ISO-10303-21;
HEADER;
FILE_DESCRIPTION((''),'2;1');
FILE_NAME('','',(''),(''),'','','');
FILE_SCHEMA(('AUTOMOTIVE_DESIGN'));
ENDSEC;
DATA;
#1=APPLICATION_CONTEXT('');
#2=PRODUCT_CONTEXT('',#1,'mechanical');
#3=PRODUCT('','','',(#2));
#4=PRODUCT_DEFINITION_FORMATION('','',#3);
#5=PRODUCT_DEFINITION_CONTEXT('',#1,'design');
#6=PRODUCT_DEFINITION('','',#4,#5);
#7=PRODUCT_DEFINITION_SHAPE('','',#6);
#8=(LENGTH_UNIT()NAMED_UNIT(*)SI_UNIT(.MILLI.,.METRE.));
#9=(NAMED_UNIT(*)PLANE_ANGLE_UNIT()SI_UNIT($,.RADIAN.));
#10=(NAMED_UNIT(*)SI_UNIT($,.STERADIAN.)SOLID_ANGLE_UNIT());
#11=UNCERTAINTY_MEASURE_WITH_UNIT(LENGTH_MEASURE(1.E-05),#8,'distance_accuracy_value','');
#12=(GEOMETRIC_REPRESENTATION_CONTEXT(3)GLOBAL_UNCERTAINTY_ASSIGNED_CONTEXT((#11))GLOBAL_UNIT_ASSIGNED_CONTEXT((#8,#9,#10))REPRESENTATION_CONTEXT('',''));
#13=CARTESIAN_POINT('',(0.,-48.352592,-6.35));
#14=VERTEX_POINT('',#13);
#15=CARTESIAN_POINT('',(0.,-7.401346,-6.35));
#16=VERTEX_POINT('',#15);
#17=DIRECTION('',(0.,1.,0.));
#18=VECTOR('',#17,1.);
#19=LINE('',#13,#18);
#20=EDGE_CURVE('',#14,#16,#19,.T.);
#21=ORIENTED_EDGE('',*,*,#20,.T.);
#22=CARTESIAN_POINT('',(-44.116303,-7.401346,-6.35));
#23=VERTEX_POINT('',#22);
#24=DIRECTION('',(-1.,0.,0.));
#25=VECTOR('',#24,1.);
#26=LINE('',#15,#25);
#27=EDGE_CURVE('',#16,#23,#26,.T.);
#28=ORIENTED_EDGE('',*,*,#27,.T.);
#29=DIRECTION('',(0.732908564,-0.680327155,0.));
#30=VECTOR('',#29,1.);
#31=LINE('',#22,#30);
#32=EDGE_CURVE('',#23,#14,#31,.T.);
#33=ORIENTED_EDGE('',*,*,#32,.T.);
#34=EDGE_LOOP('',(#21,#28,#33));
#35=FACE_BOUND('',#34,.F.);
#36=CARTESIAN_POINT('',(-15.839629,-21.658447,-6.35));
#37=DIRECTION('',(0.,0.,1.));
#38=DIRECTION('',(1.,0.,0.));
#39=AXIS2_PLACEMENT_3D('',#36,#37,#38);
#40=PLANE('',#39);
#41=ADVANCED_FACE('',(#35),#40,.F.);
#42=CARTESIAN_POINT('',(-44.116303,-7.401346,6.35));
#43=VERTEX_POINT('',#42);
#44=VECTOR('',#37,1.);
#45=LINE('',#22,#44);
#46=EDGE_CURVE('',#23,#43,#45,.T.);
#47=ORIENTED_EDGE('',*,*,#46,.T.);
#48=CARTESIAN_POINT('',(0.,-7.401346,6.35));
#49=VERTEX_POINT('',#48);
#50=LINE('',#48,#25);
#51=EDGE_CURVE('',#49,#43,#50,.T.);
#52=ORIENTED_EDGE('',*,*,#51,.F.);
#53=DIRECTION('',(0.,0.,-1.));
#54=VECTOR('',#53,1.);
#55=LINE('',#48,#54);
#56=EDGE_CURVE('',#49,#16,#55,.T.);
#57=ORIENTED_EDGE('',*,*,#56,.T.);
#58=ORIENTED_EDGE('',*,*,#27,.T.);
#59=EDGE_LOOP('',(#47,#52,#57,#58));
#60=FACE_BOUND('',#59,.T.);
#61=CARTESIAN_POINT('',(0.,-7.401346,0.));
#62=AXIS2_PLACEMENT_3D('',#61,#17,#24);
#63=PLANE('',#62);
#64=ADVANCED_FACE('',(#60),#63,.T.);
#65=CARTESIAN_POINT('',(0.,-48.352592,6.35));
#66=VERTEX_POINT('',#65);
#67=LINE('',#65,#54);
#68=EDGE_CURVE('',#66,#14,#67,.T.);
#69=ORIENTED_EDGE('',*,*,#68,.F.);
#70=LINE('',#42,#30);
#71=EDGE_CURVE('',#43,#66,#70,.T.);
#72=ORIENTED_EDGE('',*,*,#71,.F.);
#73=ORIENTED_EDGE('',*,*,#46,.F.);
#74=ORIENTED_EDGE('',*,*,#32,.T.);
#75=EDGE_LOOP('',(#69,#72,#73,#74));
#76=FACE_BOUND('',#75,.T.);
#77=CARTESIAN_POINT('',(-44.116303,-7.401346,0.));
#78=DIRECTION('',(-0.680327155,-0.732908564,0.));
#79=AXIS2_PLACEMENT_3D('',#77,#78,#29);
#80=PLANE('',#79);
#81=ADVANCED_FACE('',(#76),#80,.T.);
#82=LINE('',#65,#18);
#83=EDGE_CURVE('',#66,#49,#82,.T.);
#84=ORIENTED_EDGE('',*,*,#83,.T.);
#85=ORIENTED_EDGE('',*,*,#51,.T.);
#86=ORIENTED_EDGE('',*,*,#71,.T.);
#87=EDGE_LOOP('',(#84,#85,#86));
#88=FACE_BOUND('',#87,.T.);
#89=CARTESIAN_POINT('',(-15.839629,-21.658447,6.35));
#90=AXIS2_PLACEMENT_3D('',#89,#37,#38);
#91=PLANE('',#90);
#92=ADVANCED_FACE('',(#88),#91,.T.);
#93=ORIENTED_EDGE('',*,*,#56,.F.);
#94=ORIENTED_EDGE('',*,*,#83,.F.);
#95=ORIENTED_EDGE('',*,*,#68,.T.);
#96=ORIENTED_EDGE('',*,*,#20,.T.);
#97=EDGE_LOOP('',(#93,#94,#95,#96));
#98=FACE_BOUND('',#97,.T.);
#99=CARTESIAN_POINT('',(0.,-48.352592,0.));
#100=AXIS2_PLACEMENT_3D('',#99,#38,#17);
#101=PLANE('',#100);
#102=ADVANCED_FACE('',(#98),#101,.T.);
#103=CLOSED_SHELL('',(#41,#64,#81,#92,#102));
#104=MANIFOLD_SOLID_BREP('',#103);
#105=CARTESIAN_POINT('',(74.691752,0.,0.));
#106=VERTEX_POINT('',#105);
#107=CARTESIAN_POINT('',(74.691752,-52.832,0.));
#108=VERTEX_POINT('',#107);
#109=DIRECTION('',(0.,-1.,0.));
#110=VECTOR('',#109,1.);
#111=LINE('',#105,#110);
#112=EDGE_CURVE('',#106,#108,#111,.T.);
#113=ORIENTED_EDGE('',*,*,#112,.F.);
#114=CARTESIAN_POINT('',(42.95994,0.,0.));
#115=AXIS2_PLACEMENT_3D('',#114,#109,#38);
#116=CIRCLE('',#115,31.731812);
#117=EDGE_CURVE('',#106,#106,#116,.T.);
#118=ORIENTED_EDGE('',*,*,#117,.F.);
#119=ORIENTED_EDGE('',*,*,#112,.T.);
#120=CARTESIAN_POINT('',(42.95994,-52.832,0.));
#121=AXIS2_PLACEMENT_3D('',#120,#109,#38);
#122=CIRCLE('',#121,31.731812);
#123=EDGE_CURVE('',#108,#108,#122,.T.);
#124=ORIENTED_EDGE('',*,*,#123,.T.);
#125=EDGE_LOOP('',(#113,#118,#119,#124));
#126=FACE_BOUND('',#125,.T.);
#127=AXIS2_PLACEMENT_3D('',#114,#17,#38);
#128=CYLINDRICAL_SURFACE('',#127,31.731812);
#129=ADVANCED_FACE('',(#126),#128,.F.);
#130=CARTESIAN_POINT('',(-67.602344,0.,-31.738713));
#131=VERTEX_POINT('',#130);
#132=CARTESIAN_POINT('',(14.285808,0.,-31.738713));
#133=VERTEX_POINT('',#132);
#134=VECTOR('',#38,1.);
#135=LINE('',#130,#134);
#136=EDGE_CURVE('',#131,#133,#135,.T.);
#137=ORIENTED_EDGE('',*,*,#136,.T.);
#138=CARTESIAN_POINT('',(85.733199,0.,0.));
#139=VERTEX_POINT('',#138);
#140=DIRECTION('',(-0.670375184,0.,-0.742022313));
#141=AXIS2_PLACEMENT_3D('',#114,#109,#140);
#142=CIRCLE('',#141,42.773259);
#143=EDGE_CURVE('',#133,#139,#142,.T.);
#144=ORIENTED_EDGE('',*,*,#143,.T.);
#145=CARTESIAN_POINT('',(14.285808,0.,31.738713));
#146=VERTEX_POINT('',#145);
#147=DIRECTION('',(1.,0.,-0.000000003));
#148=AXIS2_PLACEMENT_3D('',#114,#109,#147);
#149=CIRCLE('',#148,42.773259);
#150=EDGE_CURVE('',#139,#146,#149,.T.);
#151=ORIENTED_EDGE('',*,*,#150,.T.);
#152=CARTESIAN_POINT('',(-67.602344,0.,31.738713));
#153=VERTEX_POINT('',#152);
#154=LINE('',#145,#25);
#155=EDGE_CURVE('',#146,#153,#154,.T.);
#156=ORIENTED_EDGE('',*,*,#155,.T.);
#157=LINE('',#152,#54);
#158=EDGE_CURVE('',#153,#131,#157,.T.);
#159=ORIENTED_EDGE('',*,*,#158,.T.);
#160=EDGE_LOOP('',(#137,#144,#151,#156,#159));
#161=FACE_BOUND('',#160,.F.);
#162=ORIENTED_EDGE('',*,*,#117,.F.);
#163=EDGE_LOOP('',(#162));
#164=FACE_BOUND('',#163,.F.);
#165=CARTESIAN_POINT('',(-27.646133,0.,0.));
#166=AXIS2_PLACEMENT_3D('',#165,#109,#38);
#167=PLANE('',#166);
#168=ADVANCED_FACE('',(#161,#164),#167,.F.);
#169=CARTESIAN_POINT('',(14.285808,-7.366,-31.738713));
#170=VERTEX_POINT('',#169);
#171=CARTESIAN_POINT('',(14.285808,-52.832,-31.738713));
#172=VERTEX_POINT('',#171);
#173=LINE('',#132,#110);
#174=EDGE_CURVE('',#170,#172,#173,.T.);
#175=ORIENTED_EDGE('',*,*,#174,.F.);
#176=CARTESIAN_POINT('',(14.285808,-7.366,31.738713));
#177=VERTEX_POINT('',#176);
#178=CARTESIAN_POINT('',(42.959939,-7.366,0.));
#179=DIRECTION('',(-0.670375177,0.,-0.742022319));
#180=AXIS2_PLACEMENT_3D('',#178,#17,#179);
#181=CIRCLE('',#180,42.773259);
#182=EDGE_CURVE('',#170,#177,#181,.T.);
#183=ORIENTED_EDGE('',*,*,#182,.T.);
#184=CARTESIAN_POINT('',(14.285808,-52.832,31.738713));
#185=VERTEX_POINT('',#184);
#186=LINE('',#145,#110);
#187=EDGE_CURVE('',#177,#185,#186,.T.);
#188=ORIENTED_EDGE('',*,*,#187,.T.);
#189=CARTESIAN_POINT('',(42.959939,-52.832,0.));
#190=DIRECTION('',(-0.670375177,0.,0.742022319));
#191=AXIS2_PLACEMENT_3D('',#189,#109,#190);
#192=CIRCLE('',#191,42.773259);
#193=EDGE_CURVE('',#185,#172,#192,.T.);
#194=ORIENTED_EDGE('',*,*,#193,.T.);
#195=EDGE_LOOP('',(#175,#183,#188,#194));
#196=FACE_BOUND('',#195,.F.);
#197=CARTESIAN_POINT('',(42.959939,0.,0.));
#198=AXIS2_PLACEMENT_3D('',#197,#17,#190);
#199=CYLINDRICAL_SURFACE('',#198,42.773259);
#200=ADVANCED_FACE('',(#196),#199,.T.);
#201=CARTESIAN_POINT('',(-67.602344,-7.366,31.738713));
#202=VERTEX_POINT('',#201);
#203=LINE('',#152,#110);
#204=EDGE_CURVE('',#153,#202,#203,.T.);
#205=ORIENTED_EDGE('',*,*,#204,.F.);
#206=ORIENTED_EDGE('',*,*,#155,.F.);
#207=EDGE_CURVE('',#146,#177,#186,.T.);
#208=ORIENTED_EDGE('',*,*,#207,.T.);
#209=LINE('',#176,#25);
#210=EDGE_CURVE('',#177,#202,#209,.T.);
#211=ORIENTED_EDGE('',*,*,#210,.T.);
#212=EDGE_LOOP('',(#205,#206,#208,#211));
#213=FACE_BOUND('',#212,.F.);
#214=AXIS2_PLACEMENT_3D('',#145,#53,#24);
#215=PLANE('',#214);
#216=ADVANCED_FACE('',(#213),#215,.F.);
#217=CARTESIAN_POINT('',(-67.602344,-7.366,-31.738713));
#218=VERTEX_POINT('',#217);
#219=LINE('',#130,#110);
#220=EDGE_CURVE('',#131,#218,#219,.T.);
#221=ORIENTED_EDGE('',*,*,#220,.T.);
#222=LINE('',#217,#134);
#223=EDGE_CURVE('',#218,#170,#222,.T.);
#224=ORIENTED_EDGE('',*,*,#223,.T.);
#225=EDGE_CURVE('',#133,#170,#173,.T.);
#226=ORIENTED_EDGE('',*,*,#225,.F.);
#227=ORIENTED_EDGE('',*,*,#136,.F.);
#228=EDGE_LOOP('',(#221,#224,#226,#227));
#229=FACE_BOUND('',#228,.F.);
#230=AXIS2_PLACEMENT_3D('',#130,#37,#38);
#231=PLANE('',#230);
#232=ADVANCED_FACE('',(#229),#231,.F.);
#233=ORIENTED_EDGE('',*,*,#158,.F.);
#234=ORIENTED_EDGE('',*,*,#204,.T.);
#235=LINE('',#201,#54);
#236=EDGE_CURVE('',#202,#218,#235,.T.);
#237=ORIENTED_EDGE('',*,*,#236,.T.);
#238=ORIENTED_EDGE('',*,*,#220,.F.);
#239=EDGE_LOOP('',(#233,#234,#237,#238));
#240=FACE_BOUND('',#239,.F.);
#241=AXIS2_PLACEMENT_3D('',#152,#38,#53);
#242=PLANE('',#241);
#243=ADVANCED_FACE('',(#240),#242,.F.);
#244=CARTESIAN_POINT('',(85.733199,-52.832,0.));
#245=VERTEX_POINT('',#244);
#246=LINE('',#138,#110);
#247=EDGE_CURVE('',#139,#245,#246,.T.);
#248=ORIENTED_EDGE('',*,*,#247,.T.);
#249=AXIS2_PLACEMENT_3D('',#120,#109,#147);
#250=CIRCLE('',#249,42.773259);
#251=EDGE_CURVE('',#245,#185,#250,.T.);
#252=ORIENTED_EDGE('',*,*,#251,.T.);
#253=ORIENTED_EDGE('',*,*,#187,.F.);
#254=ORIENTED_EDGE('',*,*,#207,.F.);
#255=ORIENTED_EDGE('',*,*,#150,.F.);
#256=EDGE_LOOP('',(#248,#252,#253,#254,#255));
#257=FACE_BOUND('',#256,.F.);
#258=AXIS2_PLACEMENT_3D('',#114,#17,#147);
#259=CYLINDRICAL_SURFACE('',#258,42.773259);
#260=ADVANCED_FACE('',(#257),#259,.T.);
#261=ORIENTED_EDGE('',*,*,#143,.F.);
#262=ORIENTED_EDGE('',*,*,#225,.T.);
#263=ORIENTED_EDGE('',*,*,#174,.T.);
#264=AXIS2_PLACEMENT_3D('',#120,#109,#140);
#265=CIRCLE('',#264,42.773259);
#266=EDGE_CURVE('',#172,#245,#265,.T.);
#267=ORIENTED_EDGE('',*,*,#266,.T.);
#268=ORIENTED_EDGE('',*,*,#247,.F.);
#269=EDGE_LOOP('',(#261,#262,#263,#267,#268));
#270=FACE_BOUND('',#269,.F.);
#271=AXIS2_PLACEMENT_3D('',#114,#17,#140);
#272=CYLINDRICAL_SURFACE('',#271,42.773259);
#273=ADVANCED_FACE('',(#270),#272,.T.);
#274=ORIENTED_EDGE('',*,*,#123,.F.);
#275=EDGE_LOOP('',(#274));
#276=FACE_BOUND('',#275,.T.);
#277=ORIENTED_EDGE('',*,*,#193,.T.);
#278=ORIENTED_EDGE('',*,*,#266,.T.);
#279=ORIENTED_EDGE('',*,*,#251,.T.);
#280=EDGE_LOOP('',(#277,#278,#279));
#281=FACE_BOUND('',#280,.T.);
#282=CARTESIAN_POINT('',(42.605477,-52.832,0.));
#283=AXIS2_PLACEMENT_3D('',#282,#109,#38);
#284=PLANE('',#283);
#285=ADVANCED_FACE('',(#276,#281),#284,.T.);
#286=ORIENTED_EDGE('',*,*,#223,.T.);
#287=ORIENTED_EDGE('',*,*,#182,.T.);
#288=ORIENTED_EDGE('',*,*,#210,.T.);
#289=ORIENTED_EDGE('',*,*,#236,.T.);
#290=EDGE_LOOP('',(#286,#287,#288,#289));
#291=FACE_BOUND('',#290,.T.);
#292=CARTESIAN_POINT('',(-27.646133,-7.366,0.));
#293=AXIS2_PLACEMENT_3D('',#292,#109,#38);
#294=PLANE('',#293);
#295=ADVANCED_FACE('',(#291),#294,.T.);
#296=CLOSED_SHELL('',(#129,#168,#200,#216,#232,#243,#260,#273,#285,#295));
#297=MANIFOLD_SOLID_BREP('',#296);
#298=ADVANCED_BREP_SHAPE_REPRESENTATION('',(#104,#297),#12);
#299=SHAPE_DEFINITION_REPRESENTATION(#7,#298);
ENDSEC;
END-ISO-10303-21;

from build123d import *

# Parameters (mm, degrees)
F0_R     = 31.731812
F1_DEPTH = 52.832
F2_DEPTH = 7.366
F4_DEPTH = 6.35


with BuildPart() as f1:
    # F0 (on Front) → F1 (new body)
    with BuildSketch(Plane.XZ):
        with BuildLine():
            ThreePointArc((14.285808, 31.738713), (0.18668, 0), (14.285808, -31.738713))
            ThreePointArc((14.285808, -31.738713), (60.324641, -39.089882), (85.733199, 0))
            ThreePointArc((85.733199, 0), (60.324641, 39.089882), (14.285808, 31.738713))
        make_face()
        with Locations((42.95994, 0)):
            Circle(F0_R, mode=Mode.SUBTRACT)
    extrude(amount=F1_DEPTH)

    # F0 (on Front) → F2 (join)
    with BuildSketch(Plane.XZ):
        with BuildLine():
            Line((-67.602344, -31.738713), (14.285808, -31.738713))
            ThreePointArc((14.285808, -31.738713), (0.18668, 0), (14.285808, 31.738713))
            Line((14.285808, 31.738713), (-67.602344, 31.738713))
            Line((-67.602344, 31.738713), (-67.602344, -31.738713))
        make_face()
    extrude(amount=F2_DEPTH)


with BuildPart() as f4:
    # F3 (on Top) → F4 (new body, symmetric)
    with BuildSketch(Plane.XY):
        Polygon((0, -7.401346), (-44.116303, -7.401346), (0, -48.352592), align=None)
    extrude(amount=F4_DEPTH, both=True)


solid = Compound([f1.part, f4.part])
